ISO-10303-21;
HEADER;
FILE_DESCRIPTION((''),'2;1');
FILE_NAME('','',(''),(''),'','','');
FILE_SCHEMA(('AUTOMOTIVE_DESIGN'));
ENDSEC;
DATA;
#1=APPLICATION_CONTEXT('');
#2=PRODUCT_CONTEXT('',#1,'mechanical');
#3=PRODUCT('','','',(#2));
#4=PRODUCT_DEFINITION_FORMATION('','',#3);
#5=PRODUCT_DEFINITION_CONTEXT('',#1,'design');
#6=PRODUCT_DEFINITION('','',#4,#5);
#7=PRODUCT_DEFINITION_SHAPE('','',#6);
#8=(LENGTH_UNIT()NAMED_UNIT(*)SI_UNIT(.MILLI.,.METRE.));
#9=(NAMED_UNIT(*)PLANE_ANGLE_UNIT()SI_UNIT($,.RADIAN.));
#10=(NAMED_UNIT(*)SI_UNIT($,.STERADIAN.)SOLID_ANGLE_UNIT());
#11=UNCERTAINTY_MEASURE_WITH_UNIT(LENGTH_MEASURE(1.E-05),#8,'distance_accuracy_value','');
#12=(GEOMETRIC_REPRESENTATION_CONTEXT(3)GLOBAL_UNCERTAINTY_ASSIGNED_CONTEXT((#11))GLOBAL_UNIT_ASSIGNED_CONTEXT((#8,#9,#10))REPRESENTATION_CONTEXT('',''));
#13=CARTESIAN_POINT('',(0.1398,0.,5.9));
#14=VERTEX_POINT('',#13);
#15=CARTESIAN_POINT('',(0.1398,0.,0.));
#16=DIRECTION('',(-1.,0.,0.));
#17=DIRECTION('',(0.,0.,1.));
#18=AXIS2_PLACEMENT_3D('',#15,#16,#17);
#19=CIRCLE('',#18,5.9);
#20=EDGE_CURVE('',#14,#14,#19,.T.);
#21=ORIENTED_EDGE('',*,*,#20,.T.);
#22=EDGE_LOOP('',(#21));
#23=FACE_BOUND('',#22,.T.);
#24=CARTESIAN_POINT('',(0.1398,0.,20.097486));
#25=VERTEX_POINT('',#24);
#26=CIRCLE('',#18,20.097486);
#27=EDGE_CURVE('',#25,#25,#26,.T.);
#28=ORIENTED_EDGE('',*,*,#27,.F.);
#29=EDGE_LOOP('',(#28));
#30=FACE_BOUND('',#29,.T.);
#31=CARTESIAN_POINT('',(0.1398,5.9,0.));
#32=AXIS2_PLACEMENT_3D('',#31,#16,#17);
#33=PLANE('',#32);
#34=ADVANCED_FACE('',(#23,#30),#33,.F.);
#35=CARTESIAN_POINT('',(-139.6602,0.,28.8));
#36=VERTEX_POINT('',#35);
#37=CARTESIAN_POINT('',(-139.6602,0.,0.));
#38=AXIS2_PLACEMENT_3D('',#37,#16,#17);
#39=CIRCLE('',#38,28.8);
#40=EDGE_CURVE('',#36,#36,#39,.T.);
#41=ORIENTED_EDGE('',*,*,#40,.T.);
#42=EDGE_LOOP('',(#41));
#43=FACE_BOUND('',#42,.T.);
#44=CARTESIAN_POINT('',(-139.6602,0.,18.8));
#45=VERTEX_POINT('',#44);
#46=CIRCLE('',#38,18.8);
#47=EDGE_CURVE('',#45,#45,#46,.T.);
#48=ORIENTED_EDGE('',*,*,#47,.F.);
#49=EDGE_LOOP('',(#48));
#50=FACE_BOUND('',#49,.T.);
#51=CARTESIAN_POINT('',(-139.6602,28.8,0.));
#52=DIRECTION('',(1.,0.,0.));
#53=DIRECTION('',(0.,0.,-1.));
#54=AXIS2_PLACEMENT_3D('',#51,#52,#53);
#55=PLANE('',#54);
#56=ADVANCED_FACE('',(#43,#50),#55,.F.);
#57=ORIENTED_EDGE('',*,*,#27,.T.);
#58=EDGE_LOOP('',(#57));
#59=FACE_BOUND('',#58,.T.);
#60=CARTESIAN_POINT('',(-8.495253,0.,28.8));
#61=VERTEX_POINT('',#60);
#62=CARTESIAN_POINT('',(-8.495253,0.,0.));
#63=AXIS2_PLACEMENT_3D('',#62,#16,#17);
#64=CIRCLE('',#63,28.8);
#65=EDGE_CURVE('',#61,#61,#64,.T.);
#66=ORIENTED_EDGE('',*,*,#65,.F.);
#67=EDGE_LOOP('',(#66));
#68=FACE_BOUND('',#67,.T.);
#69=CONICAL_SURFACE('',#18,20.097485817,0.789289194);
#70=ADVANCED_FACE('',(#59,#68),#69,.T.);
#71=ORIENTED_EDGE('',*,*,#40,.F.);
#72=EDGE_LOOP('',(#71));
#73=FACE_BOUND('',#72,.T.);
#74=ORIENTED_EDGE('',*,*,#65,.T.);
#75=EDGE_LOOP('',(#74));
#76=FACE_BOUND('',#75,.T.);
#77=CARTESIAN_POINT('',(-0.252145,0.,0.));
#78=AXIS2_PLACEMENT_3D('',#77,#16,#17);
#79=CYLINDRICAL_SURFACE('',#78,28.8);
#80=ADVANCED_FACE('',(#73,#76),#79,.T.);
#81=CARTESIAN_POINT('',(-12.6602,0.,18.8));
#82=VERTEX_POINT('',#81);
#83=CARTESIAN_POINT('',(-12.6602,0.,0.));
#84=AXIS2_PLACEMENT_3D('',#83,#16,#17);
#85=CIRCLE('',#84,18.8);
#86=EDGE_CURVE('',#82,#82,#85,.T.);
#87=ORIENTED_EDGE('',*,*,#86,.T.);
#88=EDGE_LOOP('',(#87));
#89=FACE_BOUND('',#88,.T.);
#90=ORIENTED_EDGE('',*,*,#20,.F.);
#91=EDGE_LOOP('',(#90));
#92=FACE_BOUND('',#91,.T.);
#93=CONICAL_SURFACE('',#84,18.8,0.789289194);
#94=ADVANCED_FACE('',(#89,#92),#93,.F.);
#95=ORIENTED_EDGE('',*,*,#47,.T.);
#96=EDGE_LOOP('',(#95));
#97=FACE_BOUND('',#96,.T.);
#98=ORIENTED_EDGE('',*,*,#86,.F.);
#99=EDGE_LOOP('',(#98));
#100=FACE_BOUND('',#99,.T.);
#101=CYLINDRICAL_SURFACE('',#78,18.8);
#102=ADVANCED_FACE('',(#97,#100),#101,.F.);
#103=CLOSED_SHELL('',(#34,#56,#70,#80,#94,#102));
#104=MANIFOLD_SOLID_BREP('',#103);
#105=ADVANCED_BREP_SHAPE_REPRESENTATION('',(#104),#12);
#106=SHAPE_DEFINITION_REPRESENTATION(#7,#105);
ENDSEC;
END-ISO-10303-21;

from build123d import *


with BuildPart() as part:
    # Schizzo1 → Rivoluzione1 (revolve)
    with BuildSketch(Plane.XY):
        Polygon((-139.6602, 18.8), (-12.6602, 18.8), (0.1398, 5.9), (0.1398, 20.097485817), (-8.495252833, 28.8), (-139.6602, 28.8), align=None)
    revolve(axis=Axis((-0.252144605, 0, 0), (1, 0, 0)))


solid = part.part
